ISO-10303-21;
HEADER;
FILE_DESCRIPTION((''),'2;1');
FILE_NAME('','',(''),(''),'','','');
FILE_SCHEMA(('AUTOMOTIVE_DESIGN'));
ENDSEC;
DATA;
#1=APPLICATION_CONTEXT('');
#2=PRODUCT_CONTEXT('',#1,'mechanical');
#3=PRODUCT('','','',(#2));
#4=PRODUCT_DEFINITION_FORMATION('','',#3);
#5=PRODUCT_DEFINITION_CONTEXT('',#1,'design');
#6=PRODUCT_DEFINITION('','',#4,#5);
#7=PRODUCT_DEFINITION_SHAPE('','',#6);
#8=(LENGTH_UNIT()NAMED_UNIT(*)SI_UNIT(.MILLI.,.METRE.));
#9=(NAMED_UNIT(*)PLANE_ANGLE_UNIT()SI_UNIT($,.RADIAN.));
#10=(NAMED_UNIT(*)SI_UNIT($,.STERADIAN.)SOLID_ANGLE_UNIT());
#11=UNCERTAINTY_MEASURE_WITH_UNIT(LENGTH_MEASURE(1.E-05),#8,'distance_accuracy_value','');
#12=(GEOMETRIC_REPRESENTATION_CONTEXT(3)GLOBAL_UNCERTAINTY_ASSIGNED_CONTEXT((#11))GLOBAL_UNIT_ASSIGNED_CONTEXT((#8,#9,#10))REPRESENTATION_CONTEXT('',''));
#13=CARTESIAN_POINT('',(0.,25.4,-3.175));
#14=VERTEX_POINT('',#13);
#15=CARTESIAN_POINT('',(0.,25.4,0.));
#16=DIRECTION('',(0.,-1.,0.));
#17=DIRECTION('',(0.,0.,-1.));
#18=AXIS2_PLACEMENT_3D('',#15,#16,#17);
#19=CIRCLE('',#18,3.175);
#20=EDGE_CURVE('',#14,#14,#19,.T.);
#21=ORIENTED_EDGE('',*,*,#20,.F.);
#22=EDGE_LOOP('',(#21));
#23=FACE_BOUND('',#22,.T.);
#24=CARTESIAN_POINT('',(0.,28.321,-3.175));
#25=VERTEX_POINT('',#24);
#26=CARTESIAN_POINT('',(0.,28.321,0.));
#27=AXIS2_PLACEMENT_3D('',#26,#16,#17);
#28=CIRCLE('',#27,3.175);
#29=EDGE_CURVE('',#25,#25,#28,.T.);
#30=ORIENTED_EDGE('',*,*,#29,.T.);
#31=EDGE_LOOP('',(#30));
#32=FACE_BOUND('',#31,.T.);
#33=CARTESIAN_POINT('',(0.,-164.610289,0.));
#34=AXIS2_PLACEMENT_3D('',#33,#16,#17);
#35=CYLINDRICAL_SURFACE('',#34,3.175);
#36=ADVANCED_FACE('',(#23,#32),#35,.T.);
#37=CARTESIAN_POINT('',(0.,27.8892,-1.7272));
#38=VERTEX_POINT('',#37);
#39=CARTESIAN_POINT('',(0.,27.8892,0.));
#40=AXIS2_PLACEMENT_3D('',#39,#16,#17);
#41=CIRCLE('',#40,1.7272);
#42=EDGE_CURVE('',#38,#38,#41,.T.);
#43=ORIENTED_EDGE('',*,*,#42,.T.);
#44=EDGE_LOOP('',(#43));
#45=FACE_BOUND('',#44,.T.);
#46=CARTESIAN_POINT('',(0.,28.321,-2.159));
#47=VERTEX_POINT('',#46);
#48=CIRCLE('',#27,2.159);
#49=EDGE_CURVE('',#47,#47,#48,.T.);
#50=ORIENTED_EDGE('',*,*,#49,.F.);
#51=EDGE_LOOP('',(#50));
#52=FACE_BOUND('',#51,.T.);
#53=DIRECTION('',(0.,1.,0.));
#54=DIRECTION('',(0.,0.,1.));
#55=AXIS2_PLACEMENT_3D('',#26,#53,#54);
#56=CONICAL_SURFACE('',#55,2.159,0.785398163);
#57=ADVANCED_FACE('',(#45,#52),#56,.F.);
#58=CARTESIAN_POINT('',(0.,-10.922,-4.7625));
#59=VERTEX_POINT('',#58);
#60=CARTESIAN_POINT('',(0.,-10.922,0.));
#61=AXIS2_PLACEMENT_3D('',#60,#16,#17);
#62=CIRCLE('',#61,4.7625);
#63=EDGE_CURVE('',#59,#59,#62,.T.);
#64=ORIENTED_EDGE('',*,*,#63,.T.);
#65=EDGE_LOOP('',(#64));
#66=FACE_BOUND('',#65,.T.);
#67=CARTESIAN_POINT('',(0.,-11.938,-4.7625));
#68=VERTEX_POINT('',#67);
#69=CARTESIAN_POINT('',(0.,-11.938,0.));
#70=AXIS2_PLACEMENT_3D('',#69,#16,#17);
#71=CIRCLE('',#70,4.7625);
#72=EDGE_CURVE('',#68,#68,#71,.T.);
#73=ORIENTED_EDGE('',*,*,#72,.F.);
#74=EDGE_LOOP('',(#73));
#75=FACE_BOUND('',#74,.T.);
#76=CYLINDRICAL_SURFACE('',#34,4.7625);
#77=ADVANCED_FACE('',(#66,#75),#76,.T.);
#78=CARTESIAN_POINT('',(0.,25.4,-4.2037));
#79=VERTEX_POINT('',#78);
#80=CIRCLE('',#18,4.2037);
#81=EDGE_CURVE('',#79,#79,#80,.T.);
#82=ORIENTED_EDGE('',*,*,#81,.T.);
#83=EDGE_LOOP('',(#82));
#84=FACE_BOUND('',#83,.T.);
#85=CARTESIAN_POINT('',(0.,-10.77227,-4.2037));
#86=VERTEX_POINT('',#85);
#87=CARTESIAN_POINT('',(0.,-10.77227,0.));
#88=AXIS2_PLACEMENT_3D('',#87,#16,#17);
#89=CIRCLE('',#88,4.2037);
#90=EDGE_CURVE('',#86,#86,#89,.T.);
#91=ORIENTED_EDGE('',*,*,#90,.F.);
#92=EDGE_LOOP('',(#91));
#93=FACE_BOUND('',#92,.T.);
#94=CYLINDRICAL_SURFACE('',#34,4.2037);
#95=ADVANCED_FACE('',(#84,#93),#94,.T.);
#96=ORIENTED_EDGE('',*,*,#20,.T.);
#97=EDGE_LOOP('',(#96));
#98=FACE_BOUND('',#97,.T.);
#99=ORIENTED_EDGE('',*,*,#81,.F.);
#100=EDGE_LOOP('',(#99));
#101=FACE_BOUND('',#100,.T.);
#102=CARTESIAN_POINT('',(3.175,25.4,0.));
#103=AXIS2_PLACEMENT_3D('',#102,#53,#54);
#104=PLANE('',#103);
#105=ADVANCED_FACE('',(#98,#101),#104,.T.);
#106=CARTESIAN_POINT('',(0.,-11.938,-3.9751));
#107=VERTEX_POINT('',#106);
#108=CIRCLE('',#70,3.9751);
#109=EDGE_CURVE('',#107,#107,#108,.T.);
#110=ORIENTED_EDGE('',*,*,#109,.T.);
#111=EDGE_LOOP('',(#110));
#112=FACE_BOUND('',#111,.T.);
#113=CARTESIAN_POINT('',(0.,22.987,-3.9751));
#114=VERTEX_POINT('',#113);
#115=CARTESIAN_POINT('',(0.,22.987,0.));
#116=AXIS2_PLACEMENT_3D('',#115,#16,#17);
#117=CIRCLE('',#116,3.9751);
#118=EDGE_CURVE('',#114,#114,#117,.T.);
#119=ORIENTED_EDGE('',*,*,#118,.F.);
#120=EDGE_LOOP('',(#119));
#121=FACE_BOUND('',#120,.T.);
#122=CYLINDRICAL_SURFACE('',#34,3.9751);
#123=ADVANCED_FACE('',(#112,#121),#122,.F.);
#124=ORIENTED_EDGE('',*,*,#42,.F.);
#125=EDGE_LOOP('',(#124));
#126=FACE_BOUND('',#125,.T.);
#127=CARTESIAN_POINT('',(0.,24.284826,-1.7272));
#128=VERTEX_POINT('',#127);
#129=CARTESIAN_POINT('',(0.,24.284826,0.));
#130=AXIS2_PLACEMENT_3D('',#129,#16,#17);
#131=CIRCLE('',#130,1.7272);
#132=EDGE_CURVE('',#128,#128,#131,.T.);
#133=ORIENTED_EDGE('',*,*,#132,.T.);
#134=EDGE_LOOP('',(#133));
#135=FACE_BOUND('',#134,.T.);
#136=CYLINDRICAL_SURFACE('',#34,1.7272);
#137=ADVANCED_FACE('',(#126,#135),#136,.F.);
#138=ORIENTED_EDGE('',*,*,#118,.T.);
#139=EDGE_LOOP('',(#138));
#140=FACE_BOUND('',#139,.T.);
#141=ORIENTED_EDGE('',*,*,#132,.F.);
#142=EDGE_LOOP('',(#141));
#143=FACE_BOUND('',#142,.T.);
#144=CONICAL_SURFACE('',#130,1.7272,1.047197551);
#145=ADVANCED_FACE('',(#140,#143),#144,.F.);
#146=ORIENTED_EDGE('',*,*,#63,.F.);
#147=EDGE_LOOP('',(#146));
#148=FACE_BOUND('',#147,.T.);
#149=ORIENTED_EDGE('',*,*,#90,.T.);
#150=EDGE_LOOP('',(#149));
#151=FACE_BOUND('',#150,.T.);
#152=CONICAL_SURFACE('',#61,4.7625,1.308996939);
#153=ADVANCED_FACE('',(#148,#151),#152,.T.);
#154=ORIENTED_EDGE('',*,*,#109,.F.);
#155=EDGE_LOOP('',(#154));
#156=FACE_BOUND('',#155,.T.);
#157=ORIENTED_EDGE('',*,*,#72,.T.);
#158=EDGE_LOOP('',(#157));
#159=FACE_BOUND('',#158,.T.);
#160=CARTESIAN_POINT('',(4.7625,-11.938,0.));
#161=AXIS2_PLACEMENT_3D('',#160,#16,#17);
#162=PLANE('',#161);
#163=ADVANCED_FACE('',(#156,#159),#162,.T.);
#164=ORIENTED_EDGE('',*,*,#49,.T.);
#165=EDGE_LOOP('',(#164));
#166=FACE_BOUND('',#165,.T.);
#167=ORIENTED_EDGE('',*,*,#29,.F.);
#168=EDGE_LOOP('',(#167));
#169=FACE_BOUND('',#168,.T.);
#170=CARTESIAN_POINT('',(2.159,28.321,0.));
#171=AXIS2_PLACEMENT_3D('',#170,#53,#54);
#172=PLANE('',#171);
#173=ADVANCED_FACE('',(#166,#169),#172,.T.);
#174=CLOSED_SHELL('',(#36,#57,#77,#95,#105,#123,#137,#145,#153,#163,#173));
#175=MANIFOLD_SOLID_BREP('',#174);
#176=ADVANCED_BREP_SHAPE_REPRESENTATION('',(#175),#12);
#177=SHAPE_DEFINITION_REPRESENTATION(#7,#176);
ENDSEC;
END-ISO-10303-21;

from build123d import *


with BuildPart() as part:
    # Sketch1 → Revolve1 (revolve)
    with BuildSketch(Plane.XY, mode=Mode.PRIVATE) as revolve1_sk:
        Polygon((3.9751, -11.938), (3.9751, 22.987), (1.7272, 24.28482567), (1.7272, 27.8892), (2.159, 28.321), (3.175, 28.321), (3.175, 25.4), (4.2037, 25.4), (4.2037, -10.772269991), (4.7625, -10.922), (4.7625, -11.938), align=None)
    revolve(revolve1_sk.sketch.rotate(Axis((0, -164.610288724, 0), (0, 1, 0)), 90), axis=Axis((0, -164.610288724, 0), (0, 1, 0)))


solid = part.part
